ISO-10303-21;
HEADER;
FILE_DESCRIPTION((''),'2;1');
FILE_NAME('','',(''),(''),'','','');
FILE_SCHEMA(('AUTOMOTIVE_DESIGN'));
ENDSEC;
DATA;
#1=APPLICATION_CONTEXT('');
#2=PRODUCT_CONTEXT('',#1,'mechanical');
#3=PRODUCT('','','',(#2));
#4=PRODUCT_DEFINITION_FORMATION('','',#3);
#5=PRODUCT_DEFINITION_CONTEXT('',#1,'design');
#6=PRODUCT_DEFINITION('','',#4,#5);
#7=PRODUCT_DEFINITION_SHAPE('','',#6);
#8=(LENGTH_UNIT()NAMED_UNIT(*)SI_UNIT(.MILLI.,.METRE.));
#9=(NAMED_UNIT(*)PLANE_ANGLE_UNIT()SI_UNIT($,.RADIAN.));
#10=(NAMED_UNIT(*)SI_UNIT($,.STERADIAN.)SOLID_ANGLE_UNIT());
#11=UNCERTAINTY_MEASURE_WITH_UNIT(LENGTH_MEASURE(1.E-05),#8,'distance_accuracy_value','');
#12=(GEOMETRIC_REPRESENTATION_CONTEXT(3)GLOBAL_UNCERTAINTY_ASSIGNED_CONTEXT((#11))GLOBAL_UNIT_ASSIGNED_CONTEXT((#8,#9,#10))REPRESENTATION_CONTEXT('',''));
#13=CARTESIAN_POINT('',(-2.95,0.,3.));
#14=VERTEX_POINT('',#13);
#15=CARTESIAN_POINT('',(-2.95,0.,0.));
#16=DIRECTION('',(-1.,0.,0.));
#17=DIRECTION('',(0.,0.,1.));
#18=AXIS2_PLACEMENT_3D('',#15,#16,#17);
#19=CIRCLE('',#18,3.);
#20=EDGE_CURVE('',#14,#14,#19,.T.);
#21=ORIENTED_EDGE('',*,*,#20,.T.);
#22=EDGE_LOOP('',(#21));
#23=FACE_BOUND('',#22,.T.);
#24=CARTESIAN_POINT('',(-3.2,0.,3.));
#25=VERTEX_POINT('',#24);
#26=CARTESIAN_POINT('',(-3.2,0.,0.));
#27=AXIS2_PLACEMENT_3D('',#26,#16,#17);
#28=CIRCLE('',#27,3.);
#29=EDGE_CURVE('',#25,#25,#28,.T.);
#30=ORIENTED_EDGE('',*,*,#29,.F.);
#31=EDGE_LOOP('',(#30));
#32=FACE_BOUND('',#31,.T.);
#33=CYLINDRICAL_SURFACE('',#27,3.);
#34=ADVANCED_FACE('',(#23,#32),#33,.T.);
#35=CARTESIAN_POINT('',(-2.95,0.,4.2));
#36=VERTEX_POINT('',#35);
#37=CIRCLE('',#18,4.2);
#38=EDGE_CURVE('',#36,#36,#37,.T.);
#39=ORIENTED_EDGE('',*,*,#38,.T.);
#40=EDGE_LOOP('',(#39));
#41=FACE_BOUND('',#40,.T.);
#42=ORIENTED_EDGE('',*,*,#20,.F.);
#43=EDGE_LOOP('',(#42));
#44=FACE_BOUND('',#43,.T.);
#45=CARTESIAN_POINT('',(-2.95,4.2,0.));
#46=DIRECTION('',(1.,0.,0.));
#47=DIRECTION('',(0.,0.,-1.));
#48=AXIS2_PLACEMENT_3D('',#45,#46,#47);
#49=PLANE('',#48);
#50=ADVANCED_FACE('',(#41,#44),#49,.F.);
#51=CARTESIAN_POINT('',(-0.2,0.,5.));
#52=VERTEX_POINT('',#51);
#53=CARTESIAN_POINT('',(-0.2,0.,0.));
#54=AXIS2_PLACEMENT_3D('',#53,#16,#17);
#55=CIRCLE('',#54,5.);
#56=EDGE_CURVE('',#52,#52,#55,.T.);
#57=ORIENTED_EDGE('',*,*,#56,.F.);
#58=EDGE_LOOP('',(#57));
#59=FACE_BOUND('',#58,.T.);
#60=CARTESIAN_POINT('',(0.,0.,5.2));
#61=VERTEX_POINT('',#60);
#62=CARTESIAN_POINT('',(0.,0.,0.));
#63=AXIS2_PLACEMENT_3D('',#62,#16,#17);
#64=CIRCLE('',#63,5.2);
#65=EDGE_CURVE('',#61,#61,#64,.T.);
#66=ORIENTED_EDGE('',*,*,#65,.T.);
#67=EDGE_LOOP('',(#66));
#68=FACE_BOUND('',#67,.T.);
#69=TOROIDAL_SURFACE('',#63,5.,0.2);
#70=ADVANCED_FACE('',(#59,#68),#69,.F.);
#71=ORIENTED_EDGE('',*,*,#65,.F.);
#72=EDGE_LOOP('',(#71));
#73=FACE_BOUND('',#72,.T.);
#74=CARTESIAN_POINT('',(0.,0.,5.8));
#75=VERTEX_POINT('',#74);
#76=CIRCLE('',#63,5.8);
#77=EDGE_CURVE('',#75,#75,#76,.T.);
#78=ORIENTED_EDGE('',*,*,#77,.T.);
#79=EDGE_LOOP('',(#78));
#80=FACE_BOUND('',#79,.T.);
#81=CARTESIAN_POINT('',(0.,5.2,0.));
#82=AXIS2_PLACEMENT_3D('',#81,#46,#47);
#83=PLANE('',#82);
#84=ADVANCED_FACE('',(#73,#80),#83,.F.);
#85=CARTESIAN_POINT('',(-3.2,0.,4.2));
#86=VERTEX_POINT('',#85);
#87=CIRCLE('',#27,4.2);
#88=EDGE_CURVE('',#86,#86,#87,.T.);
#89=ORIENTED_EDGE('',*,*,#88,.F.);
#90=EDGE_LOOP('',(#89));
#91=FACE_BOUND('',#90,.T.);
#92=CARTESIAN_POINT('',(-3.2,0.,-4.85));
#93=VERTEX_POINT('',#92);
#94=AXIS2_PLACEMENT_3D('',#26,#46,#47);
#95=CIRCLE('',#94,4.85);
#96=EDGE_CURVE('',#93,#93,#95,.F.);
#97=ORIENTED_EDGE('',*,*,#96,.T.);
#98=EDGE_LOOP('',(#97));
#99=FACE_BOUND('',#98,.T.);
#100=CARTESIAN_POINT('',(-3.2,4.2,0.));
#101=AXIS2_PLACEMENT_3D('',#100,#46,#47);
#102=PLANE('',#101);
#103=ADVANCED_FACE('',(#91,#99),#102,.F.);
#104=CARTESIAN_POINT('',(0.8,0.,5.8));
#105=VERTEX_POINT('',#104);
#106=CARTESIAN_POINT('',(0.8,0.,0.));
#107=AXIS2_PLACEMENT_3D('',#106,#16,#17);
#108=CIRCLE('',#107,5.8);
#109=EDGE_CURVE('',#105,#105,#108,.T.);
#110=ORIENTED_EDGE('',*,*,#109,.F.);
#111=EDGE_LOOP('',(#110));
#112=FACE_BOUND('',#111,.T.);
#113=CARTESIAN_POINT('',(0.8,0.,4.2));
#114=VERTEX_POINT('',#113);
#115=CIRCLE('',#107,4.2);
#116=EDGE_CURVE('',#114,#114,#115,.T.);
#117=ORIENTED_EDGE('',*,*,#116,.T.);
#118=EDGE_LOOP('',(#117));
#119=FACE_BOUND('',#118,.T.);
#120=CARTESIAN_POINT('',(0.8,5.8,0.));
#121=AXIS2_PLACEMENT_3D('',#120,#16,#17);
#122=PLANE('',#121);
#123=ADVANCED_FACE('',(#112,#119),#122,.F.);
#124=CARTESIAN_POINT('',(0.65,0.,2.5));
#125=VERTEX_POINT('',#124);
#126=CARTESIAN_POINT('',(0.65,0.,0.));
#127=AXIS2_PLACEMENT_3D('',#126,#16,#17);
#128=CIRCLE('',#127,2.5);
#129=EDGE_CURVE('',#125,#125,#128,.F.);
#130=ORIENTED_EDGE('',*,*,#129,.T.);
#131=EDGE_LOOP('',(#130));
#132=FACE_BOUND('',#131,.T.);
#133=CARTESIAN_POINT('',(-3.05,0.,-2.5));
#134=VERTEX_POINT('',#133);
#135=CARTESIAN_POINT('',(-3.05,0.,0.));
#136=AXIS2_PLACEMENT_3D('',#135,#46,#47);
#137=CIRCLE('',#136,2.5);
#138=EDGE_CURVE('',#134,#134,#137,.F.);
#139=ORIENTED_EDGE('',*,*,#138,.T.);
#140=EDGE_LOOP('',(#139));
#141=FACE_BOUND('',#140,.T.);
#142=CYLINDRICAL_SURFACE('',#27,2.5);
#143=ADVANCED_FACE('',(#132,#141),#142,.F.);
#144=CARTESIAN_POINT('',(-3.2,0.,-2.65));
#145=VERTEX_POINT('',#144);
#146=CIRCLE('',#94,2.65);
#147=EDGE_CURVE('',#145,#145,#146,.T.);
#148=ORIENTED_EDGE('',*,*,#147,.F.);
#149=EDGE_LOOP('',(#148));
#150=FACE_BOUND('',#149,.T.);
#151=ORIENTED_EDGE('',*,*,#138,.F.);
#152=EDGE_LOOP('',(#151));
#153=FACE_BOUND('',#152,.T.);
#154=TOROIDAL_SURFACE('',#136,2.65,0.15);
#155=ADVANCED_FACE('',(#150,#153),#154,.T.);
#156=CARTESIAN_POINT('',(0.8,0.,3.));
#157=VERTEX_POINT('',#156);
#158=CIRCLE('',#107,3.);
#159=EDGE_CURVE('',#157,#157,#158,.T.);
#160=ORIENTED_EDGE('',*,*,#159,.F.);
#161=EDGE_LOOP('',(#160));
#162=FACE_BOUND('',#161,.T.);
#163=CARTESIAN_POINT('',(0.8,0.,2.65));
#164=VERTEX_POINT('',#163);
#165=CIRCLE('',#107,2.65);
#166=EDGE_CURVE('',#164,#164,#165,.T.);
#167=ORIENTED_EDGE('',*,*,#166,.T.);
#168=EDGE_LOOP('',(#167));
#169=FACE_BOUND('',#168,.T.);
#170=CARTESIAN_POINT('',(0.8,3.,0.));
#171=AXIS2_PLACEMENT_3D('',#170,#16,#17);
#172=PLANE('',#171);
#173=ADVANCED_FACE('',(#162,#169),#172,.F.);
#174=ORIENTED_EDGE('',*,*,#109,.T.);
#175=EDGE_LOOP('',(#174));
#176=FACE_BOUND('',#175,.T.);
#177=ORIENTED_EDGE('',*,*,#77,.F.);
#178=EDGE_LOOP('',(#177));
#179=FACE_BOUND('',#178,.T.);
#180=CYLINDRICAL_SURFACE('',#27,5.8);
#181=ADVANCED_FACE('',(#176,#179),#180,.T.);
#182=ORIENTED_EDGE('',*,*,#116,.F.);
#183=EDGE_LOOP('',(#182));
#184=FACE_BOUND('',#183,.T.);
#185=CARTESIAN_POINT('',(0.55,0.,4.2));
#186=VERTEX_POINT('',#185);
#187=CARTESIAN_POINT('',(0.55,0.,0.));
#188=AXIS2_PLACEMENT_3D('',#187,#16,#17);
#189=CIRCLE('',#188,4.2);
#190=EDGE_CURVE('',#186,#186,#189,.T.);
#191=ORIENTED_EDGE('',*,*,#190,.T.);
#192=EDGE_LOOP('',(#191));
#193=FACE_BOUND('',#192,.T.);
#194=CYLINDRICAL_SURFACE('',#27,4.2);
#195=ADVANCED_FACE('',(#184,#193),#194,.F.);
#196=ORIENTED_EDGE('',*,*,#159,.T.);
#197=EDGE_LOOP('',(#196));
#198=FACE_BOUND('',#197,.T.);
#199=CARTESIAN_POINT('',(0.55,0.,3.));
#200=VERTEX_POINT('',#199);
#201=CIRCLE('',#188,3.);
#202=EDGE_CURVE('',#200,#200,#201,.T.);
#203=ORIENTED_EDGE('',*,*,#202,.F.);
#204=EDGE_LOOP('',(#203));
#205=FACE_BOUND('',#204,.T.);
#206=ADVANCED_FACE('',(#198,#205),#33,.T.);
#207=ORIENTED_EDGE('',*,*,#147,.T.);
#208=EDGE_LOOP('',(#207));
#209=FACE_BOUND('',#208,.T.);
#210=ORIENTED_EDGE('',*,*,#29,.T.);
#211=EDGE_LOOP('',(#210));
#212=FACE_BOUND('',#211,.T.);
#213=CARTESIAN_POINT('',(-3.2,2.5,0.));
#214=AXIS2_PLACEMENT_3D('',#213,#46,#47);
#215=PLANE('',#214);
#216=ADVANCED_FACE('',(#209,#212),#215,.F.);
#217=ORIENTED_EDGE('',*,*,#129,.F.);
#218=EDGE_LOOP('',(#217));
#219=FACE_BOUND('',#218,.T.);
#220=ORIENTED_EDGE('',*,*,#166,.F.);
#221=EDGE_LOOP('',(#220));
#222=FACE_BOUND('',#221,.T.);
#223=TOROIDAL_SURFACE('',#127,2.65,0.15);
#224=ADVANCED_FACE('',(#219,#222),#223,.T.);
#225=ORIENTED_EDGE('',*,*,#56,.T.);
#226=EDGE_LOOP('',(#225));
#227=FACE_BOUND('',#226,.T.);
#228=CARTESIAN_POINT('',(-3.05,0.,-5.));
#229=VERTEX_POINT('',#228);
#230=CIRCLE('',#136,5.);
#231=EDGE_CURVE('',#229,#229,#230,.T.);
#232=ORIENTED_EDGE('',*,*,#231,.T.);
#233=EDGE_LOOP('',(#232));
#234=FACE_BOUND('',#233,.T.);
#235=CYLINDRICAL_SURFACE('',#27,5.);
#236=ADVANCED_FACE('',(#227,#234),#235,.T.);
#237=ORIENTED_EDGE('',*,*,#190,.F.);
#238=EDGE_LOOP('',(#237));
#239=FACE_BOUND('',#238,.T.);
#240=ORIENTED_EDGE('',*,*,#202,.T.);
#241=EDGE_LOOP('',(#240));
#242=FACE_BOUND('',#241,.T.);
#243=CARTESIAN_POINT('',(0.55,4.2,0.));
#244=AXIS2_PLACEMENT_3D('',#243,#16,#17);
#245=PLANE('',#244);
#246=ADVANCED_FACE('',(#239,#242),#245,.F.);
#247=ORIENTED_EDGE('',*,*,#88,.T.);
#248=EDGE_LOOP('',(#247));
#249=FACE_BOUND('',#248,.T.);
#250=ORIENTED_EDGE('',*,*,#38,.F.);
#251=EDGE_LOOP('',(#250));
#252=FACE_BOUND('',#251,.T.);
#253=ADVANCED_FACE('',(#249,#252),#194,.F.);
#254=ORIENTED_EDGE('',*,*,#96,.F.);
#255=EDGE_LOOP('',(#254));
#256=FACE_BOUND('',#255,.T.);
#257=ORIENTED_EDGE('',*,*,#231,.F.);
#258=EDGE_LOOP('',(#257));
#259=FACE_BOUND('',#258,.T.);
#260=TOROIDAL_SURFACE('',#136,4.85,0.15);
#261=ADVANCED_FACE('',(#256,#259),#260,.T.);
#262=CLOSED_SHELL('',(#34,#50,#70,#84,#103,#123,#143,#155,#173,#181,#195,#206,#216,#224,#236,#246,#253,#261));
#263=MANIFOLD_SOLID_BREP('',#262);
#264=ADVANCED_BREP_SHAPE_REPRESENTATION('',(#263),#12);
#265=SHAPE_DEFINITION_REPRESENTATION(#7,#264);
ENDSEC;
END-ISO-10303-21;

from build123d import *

# Parameters (mm, degrees)
FILLET1_R = 0.15


with BuildPart() as part:
    # Sketch1 → Revolve1 (revolve)
    with BuildSketch(Plane.XY):
        with BuildLine():
            Line((0, 5.2), (0, 5.8))
            Line((0, 5.8), (0.8, 5.8))
            Line((0.8, 5.8), (0.8, 4.2))
            Line((0.8, 4.2), (0.55, 4.2))
            Line((0.55, 4.2), (0.55, 3))
            Line((0.55, 3), (0.8, 3))
            Line((0.8, 3), (0.8, 2.5))
            Line((0.8, 2.5), (-3.2, 2.5))
            Line((-3.2, 2.5), (-3.2, 3))
            Line((-3.2, 3), (-2.95, 3))
            Line((-2.95, 3), (-2.95, 4.2))
            Line((-2.95, 4.2), (-3.2, 4.2))
            Line((-3.2, 4.2), (-3.2, 5))
            Line((-3.2, 5), (-0.2, 5))
            ThreePointArc((-0.2, 5), (0.141421356, 4.858578644), (0, 5.2))
        make_face()
    revolve(axis=Axis((-3.2, 0, 0), (1, 0, 0)))

    # Fillet1
    fillet1_edges = [part.edges().sort_by_distance(p)[0] for p in [
        (0.8, -2.5, 0),
        (-3.2, -2.5, 0),
        (-3.2, -5, 0),
    ]]
    fillet(fillet1_edges, radius=FILLET1_R)


solid = part.part
